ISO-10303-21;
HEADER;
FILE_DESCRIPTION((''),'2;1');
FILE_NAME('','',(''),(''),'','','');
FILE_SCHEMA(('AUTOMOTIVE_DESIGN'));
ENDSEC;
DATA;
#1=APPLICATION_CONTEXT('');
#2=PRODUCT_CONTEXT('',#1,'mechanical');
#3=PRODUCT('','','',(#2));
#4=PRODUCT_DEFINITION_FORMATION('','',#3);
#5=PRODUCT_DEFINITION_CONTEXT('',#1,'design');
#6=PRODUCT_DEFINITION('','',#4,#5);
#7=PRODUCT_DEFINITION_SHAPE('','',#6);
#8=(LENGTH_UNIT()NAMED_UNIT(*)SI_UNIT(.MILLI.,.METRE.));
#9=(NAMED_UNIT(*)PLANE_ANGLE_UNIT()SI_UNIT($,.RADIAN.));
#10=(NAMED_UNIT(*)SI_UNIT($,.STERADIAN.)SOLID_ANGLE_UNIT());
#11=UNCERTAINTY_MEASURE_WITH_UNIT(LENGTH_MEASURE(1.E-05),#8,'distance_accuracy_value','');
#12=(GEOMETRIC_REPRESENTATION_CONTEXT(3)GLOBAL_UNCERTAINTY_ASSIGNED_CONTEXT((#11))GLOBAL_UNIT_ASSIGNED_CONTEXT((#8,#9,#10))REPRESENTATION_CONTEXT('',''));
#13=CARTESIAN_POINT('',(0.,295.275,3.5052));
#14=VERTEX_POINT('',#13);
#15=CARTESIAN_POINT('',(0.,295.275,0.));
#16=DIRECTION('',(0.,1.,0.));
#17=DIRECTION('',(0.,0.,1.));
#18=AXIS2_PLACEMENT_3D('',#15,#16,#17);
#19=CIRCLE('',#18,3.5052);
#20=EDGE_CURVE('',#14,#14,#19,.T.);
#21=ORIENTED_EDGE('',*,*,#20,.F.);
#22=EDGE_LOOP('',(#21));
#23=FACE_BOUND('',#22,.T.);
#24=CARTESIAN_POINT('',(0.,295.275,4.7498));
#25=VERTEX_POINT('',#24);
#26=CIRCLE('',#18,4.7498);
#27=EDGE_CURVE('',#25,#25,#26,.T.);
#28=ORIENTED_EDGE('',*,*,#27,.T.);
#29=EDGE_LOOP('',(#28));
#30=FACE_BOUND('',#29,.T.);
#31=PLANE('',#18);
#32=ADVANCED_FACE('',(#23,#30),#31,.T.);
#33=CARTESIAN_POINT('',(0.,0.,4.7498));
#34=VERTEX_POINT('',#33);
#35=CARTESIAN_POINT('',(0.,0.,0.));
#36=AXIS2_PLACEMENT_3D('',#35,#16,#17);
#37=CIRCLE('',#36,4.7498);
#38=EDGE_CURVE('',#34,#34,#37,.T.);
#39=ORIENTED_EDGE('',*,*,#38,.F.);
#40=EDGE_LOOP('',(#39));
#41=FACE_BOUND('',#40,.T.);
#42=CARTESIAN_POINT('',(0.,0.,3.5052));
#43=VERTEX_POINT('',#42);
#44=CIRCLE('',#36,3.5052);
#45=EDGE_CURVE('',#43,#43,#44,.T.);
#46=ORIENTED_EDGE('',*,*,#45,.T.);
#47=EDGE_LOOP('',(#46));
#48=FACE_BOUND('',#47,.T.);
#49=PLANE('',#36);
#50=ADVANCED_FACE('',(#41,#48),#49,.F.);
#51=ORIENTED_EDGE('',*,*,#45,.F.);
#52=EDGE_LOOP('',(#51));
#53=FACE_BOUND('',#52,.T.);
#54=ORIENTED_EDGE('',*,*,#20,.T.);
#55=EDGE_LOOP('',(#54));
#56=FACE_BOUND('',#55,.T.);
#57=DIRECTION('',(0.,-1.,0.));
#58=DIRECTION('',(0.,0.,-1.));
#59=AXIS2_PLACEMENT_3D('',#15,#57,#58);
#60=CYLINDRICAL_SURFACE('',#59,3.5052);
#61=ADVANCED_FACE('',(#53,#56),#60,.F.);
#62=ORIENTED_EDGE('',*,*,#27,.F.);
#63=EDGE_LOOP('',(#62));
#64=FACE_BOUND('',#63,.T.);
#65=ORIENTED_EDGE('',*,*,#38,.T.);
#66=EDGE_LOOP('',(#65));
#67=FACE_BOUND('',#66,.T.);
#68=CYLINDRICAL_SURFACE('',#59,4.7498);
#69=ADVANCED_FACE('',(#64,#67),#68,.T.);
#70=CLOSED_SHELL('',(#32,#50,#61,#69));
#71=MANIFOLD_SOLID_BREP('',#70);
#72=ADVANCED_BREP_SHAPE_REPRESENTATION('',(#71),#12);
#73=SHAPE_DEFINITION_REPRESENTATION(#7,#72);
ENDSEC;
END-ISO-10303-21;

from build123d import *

# Parameters (mm, degrees)
SKETCH1_R           = 4.7498
SKETCH1_R_2         = 3.5052
BOSS_EXTRUDE1_DEPTH = 295.275


with BuildPart() as part:
    # Sketch1 → Boss-Extrude1 (new body)
    with BuildSketch(Plane(origin=(0, 0, 0), x_dir=(1, 0, 0), z_dir=(0, 1, 0))):
        with Locations(Location((0, 0, 0), (0, 0, 270))):
            Circle(SKETCH1_R)
        with Locations(Location((0, 0, 0), (0, 0, 270))):
            Circle(SKETCH1_R_2, mode=Mode.SUBTRACT)
    extrude(amount=BOSS_EXTRUDE1_DEPTH)


solid = part.part
